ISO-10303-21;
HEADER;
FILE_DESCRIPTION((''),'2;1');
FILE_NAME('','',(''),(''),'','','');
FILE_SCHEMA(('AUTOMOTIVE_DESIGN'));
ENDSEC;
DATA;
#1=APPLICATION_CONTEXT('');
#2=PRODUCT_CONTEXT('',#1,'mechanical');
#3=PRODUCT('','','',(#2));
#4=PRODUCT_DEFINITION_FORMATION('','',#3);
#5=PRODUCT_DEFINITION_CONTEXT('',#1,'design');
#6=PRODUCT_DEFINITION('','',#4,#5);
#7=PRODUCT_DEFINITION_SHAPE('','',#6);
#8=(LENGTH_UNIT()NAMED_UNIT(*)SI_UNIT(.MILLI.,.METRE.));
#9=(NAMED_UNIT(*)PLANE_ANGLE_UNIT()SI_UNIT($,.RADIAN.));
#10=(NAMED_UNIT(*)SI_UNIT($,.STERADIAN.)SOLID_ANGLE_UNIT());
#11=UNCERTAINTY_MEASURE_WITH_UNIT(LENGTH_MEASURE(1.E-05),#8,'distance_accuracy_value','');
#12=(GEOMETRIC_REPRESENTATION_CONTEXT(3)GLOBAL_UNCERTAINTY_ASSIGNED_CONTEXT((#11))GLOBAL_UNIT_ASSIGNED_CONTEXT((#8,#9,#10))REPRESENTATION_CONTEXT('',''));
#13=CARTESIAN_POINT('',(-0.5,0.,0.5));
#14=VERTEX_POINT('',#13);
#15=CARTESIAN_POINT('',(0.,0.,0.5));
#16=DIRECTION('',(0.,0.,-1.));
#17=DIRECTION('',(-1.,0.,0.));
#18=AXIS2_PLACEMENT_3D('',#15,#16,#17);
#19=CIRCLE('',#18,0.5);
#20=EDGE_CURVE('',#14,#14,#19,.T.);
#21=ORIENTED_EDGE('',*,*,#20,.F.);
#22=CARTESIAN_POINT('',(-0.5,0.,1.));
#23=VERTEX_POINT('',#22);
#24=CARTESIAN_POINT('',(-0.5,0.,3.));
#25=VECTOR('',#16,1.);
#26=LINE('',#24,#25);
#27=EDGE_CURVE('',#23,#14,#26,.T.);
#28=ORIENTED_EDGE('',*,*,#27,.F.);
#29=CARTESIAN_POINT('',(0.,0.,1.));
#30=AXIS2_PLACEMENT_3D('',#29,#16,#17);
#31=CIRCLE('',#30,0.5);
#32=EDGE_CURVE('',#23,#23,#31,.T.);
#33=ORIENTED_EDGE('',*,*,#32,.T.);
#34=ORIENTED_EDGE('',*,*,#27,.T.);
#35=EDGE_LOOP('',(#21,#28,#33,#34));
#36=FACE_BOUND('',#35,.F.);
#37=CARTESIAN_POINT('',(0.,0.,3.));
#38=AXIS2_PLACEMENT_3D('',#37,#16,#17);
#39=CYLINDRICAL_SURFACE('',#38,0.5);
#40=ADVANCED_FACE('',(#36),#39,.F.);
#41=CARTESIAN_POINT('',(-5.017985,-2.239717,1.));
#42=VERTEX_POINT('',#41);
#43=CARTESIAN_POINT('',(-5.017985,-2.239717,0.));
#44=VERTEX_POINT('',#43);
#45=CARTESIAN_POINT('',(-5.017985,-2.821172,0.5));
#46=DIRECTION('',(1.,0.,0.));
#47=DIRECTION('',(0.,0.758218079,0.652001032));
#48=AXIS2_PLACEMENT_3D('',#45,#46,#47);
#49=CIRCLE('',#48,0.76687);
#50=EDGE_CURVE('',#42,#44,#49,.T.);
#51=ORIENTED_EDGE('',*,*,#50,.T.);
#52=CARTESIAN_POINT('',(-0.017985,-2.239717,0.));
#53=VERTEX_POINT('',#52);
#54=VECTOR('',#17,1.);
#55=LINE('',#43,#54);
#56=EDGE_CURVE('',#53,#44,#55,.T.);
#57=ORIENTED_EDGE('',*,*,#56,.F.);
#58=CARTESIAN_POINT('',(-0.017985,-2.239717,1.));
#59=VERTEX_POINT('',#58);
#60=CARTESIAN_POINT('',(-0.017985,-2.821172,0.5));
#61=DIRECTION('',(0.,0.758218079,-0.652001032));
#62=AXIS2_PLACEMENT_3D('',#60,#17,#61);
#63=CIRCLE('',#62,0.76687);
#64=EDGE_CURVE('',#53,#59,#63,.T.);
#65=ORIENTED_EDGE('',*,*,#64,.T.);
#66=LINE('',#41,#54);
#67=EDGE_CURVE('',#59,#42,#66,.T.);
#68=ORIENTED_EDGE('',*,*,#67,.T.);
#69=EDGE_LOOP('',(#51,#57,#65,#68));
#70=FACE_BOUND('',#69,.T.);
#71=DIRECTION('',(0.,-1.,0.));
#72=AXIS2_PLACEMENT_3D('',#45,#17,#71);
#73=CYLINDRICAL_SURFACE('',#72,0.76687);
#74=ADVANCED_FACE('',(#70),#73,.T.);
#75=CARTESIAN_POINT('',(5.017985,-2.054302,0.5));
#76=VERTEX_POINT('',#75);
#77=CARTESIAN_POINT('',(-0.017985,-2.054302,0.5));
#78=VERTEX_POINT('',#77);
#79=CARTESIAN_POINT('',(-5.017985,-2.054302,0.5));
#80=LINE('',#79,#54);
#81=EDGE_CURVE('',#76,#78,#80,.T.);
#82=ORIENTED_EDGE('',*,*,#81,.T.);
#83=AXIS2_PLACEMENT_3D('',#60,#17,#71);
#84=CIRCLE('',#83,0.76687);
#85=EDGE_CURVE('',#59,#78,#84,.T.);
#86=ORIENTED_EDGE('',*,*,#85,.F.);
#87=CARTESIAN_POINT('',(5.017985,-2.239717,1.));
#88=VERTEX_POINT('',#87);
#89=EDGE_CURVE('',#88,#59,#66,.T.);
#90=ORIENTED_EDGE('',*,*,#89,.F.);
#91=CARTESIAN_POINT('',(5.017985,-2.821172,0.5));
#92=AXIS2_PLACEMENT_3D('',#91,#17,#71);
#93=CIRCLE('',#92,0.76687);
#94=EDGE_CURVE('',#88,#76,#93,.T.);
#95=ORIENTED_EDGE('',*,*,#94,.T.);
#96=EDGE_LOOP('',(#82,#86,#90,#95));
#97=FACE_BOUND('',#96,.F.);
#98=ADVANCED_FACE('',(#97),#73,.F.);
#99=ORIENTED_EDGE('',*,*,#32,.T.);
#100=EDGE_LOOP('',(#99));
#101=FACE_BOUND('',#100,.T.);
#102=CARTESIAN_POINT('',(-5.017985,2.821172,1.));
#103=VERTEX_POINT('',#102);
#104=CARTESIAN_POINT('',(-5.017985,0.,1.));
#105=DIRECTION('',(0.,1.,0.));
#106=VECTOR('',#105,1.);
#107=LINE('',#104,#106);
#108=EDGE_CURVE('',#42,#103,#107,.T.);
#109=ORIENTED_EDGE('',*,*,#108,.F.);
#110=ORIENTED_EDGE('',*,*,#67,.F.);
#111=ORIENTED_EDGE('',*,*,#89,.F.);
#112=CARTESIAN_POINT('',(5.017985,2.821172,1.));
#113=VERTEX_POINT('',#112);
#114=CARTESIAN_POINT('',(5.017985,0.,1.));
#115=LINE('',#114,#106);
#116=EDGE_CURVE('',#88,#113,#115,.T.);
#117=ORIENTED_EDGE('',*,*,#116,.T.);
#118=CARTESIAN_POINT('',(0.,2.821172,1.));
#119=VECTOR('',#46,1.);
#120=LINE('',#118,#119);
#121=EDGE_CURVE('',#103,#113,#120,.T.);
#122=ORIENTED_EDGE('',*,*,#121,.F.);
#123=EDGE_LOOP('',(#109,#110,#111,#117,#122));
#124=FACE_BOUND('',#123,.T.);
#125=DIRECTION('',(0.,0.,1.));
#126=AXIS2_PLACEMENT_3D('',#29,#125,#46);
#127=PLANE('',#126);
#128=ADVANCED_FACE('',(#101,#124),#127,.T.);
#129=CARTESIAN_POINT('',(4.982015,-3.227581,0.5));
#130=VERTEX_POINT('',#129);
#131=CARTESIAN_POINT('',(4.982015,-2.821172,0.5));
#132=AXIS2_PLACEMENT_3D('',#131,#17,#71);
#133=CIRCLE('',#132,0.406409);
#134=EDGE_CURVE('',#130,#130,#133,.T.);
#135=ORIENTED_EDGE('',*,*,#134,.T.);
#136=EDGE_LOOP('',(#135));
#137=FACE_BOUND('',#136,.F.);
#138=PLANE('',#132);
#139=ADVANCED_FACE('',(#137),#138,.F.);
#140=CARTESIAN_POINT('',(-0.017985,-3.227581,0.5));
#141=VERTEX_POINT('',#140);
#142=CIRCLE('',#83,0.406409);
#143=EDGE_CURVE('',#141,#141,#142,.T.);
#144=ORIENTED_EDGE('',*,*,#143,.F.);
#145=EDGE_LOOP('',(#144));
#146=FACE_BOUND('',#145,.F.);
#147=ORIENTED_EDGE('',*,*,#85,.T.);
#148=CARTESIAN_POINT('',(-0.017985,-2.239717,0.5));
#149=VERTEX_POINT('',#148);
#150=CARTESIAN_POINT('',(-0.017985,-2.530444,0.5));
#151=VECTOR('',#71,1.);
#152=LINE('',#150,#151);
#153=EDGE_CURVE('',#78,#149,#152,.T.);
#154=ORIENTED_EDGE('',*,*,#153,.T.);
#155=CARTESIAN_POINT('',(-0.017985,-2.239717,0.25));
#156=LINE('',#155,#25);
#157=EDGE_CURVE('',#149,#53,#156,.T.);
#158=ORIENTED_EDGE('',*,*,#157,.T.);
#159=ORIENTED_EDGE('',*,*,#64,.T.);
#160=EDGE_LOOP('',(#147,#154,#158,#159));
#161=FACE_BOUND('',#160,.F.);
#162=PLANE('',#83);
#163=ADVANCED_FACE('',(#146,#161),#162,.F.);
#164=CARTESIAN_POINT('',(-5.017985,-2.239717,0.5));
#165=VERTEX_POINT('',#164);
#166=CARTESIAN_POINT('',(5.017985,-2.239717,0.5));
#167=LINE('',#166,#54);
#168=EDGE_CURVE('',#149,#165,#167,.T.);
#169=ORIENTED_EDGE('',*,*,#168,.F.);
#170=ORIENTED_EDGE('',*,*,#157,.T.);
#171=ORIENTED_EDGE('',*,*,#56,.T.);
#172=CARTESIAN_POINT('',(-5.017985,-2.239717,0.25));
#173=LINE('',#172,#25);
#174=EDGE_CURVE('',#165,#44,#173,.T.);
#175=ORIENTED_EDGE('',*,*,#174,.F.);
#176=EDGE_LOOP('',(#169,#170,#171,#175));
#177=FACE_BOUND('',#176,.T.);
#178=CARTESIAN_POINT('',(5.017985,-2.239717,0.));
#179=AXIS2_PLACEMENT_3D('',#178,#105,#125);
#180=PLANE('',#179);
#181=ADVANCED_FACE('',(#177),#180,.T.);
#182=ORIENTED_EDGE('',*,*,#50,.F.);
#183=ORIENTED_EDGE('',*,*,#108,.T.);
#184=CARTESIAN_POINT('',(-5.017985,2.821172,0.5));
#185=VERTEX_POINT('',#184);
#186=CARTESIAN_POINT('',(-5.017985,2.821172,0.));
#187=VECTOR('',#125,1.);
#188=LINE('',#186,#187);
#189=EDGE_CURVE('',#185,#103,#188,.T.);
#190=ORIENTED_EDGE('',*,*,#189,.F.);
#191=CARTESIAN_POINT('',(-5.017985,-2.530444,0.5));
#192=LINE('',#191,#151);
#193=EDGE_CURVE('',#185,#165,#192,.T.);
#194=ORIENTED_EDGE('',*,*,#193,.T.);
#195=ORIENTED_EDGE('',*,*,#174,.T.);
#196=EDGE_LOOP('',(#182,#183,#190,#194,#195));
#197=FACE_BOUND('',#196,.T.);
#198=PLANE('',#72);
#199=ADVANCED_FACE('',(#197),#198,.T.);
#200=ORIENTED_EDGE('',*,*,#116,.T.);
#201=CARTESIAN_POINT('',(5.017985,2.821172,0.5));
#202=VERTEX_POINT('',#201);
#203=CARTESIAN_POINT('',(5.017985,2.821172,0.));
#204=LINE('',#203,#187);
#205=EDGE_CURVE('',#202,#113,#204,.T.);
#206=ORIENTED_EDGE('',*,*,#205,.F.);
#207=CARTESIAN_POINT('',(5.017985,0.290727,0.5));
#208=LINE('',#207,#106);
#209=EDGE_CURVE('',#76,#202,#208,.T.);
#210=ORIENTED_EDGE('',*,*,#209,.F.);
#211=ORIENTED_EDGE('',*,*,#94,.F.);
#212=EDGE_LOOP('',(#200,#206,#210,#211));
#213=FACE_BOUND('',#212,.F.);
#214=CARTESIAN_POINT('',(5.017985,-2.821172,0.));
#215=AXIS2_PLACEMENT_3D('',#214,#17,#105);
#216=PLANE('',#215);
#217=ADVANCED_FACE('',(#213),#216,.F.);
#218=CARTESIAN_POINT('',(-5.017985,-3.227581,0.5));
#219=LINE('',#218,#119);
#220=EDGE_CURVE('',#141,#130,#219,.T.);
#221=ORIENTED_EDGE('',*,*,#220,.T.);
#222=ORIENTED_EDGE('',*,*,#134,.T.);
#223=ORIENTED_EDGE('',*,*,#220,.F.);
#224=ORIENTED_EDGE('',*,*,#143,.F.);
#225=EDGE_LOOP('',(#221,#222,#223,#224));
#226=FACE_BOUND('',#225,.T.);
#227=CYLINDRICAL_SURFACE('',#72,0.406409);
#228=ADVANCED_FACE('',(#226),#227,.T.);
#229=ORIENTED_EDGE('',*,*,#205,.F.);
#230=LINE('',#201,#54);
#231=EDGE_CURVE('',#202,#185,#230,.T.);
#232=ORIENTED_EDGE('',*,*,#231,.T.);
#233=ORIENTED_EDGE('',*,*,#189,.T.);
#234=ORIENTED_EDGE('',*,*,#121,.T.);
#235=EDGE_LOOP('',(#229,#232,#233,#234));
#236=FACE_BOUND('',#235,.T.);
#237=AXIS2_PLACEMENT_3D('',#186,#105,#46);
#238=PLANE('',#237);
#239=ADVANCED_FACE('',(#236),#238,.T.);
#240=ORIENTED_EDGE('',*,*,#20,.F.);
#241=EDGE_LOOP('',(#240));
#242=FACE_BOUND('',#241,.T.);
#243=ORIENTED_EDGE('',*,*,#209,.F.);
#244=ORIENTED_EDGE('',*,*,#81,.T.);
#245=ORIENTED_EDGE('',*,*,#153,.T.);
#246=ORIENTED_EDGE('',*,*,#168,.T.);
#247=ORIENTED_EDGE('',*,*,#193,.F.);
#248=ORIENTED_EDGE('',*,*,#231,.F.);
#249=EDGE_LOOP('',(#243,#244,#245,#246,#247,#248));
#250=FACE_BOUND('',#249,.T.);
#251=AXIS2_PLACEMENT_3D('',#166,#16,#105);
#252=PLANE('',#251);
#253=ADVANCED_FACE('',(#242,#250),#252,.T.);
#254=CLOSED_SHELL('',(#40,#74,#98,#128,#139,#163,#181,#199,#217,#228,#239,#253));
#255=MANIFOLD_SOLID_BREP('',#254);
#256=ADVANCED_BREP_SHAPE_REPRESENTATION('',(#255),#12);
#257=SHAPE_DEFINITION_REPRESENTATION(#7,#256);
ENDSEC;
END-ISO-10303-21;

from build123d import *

# Parameters (mm, degrees)
F0_W      = 10.0359702483
F0_H      = 5.6423433125
F1_DEPTH  = 1
F2_R      = 0.7668699523
F3_DEPTH  = 10.08
F4_DEPTH  = 5
F5_R      = 0.4064089658
F6_DEPTH  = 10
F8_D      = 1
F8_DEPTH  = 2
F8_TIP    = 0.3004303095
F9_W      = 5.0608886507
F9_H      = 0.5
F10_DEPTH = 25


with BuildPart() as f1:
    # F0 (on Top) → F1 (new body)
    with BuildSketch(Plane.XY):
        Rectangle(F0_W, F0_H)
    extrude(amount=F1_DEPTH)

    # F2 (on face) → F3 (cut)
    with BuildSketch(Plane(origin=(-5.0179851241, 0, 0), x_dir=(0, -1, 0), z_dir=(-1, 0, 0))):
        with Locations((2.8211716563, 0.5)):
            Circle(F2_R)
    extrude(amount=-F3_DEPTH, mode=Mode.SUBTRACT)

    # F2 (on face) → F4 (join)
    with BuildSketch(Plane(origin=(-5.0179851241, 0, 0), x_dir=(0, -1, 0), z_dir=(-1, 0, 0))):
        with Locations((2.8211716563, 0.5)):
            Circle(F2_R)
    extrude(amount=-F4_DEPTH)

    # F5 (on face) → F6 (join)
    with BuildSketch(Plane(origin=(-5.0179851241, 0, 0), x_dir=(0, -1, 0), z_dir=(-1, 0, 0))):
        with Locations((2.8211716563, 0.5)):
            Circle(F5_R)
    extrude(amount=-F6_DEPTH)

    # F8
    with Locations(Plane.XY.offset(1)):
        with Locations((0, 0)):
            Hole(F8_D / 2, depth=F8_DEPTH)
            with Locations((0, 0, -(F8_DEPTH + F8_TIP / 2))):  # 118° drill point
                Cone(0, F8_D / 2, F8_TIP, mode=Mode.SUBTRACT)

    # F9 (on face) → F10 (cut)
    with BuildSketch(Plane.YZ.offset(5.0179851241)):
        with Locations((0.2907273309, 0.25)):
            Rectangle(F9_W, F9_H)
    extrude(amount=-F10_DEPTH, mode=Mode.SUBTRACT)


solid = f1.part
